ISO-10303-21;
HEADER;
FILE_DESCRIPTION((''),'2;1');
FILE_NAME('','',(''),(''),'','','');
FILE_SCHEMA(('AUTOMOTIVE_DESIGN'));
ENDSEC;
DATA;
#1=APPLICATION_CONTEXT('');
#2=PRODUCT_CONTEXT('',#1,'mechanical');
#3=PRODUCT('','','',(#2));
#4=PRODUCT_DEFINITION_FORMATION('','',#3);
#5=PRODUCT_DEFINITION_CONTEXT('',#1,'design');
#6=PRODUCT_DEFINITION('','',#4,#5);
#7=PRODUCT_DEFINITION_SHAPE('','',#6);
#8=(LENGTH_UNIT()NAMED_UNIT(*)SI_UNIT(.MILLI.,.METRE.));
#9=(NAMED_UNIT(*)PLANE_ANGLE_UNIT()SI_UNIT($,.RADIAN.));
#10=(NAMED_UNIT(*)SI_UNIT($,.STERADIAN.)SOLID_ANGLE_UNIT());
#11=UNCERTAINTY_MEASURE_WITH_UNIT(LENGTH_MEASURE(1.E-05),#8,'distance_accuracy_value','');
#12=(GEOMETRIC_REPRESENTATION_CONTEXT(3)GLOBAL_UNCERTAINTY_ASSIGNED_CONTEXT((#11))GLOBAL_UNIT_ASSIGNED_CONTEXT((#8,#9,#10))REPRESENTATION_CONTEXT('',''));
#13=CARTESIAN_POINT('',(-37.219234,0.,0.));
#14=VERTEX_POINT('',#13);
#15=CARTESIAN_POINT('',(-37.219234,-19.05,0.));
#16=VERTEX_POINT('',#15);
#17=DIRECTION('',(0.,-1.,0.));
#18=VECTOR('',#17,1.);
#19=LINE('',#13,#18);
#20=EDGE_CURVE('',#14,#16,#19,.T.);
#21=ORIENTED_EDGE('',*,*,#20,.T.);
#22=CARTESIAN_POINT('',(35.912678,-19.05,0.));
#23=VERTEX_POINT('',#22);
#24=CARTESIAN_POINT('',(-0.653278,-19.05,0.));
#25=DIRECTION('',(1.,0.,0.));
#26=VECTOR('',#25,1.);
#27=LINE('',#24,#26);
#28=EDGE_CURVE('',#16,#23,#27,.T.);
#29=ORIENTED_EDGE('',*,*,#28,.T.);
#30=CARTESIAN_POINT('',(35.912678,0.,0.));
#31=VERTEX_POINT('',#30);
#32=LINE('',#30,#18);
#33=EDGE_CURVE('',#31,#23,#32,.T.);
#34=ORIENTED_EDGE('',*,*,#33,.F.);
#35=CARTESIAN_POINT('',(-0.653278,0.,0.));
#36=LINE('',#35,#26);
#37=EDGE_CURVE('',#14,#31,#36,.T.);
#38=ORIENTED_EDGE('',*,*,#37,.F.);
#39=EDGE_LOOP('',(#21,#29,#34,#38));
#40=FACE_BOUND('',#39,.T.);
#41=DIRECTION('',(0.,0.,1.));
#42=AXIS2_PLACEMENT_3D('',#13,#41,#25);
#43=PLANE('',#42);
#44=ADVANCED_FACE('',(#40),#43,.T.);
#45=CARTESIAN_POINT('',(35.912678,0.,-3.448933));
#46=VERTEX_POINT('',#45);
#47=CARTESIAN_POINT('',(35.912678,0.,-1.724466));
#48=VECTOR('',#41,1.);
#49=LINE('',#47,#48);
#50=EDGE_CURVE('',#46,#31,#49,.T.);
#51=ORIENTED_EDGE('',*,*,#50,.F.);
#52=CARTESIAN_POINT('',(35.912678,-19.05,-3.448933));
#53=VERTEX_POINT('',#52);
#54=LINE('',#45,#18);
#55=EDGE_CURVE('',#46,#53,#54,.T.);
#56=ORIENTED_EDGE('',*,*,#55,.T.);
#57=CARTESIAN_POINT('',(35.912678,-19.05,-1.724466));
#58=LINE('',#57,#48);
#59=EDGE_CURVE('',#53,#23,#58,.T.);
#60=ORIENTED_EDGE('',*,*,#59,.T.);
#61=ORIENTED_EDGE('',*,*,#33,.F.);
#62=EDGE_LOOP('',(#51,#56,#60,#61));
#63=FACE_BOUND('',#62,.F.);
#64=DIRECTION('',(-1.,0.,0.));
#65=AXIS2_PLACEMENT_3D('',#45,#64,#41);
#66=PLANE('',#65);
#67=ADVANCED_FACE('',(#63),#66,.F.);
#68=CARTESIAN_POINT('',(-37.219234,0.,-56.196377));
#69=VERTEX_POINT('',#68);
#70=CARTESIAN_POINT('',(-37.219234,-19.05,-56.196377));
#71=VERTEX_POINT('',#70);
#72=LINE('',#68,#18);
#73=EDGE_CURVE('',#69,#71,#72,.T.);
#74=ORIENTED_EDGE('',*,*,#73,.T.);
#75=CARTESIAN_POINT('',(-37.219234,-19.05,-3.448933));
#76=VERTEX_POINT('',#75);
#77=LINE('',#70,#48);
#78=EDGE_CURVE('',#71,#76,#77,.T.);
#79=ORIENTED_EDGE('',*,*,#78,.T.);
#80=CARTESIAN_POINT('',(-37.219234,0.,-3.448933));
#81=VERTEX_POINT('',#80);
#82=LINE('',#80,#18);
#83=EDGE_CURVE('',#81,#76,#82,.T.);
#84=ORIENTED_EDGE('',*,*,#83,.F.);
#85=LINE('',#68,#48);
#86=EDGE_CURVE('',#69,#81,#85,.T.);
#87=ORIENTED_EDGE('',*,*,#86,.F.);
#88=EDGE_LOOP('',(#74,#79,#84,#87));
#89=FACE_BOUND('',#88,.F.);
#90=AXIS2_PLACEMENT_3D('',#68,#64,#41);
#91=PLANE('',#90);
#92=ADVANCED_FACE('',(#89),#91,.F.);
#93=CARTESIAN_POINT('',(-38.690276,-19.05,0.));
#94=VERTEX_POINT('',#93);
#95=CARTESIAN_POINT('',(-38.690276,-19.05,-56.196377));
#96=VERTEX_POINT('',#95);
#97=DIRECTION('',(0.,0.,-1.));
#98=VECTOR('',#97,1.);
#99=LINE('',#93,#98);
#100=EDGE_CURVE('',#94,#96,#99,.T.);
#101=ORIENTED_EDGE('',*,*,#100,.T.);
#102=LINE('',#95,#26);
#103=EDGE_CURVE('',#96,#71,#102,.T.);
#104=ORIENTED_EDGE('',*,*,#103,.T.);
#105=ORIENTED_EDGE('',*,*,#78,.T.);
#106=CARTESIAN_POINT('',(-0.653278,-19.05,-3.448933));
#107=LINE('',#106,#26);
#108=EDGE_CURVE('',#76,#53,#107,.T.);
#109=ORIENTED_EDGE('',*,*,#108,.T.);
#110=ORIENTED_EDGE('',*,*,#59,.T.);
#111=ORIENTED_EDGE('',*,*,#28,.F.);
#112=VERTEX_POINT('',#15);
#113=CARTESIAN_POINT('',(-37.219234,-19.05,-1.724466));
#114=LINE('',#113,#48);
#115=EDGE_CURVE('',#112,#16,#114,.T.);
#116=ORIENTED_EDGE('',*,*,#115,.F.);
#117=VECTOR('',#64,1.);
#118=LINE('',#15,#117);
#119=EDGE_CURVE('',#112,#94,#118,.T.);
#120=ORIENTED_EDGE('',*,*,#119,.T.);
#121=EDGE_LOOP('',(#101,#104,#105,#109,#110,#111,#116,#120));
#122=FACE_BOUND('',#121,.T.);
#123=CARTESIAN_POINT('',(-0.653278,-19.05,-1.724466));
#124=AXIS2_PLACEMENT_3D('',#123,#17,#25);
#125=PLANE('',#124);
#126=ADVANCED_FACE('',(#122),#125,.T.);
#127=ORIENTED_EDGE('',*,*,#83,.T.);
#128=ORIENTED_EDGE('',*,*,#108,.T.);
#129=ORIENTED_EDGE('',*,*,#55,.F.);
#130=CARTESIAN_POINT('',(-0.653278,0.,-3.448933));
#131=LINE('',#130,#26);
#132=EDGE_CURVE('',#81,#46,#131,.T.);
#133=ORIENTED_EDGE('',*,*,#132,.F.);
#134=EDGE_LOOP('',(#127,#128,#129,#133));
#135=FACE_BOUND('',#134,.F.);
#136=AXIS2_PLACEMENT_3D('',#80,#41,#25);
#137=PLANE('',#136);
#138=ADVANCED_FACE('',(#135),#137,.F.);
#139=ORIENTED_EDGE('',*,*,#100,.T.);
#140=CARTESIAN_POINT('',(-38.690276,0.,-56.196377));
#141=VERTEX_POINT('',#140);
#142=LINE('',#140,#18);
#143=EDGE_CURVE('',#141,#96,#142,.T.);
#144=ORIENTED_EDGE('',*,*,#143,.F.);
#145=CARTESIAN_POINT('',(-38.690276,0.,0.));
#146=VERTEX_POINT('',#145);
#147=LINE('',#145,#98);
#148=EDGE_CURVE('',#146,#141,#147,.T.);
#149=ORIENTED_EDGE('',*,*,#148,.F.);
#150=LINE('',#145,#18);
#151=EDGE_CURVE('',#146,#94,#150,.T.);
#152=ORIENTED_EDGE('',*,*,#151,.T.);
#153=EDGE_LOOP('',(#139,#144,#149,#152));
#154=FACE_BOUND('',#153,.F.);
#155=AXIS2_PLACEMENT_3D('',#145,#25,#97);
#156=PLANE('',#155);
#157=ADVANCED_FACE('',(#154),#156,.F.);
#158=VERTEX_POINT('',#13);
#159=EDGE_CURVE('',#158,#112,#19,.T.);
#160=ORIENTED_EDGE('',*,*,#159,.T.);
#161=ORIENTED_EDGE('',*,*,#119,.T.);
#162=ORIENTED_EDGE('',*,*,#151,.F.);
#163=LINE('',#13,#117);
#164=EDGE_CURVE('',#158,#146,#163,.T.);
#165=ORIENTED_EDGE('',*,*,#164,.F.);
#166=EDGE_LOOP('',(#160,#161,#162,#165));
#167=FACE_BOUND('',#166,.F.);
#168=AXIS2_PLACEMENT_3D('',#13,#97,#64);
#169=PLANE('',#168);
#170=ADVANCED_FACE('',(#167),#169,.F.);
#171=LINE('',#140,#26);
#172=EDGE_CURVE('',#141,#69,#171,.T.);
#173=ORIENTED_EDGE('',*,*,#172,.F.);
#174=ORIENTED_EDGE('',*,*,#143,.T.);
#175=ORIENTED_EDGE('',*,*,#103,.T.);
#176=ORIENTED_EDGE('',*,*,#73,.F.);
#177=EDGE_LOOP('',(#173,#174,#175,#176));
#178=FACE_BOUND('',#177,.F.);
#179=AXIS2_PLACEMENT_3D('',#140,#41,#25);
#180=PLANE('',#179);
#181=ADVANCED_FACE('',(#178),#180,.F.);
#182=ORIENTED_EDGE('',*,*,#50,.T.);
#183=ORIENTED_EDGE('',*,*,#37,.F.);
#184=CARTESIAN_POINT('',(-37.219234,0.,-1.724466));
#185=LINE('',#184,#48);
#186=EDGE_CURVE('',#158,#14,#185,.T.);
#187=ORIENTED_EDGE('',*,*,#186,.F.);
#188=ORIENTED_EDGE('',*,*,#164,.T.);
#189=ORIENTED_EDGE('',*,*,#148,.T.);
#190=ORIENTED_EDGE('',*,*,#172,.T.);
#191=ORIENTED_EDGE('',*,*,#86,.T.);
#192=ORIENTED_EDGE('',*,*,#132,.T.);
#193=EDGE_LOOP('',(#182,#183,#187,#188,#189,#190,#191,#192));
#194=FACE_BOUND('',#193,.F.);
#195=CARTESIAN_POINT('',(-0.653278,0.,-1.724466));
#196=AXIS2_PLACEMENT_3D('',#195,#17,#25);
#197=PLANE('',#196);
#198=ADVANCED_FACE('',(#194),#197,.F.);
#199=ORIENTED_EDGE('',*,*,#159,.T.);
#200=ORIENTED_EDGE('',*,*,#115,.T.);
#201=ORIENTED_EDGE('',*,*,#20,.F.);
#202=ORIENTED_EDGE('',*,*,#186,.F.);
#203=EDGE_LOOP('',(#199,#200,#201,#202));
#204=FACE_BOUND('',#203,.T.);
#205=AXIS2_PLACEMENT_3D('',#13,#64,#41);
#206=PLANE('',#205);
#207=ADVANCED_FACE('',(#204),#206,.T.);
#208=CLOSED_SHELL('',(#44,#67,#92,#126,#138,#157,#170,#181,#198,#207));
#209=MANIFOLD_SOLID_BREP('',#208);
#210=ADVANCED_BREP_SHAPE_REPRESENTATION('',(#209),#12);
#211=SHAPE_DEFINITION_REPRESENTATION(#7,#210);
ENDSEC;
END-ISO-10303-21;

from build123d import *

# Parameters (mm, degrees)
F0_W     = 73.131912
F0_H     = 3.448933
F1_DEPTH = 19.05


with BuildPart() as f1:
    # F0 (on Front) → F1 (new body)
    with BuildSketch(Plane.XZ):
        with Locations((-0.653278, -1.724466)):
            Rectangle(F0_W, F0_H)
        Polygon((-37.219234, 0), (-38.690276, 0), (-38.690276, -56.196377), (-37.219234, -56.196377), (-37.219234, -3.448933), align=None)
    extrude(amount=F1_DEPTH)


solid = f1.part
